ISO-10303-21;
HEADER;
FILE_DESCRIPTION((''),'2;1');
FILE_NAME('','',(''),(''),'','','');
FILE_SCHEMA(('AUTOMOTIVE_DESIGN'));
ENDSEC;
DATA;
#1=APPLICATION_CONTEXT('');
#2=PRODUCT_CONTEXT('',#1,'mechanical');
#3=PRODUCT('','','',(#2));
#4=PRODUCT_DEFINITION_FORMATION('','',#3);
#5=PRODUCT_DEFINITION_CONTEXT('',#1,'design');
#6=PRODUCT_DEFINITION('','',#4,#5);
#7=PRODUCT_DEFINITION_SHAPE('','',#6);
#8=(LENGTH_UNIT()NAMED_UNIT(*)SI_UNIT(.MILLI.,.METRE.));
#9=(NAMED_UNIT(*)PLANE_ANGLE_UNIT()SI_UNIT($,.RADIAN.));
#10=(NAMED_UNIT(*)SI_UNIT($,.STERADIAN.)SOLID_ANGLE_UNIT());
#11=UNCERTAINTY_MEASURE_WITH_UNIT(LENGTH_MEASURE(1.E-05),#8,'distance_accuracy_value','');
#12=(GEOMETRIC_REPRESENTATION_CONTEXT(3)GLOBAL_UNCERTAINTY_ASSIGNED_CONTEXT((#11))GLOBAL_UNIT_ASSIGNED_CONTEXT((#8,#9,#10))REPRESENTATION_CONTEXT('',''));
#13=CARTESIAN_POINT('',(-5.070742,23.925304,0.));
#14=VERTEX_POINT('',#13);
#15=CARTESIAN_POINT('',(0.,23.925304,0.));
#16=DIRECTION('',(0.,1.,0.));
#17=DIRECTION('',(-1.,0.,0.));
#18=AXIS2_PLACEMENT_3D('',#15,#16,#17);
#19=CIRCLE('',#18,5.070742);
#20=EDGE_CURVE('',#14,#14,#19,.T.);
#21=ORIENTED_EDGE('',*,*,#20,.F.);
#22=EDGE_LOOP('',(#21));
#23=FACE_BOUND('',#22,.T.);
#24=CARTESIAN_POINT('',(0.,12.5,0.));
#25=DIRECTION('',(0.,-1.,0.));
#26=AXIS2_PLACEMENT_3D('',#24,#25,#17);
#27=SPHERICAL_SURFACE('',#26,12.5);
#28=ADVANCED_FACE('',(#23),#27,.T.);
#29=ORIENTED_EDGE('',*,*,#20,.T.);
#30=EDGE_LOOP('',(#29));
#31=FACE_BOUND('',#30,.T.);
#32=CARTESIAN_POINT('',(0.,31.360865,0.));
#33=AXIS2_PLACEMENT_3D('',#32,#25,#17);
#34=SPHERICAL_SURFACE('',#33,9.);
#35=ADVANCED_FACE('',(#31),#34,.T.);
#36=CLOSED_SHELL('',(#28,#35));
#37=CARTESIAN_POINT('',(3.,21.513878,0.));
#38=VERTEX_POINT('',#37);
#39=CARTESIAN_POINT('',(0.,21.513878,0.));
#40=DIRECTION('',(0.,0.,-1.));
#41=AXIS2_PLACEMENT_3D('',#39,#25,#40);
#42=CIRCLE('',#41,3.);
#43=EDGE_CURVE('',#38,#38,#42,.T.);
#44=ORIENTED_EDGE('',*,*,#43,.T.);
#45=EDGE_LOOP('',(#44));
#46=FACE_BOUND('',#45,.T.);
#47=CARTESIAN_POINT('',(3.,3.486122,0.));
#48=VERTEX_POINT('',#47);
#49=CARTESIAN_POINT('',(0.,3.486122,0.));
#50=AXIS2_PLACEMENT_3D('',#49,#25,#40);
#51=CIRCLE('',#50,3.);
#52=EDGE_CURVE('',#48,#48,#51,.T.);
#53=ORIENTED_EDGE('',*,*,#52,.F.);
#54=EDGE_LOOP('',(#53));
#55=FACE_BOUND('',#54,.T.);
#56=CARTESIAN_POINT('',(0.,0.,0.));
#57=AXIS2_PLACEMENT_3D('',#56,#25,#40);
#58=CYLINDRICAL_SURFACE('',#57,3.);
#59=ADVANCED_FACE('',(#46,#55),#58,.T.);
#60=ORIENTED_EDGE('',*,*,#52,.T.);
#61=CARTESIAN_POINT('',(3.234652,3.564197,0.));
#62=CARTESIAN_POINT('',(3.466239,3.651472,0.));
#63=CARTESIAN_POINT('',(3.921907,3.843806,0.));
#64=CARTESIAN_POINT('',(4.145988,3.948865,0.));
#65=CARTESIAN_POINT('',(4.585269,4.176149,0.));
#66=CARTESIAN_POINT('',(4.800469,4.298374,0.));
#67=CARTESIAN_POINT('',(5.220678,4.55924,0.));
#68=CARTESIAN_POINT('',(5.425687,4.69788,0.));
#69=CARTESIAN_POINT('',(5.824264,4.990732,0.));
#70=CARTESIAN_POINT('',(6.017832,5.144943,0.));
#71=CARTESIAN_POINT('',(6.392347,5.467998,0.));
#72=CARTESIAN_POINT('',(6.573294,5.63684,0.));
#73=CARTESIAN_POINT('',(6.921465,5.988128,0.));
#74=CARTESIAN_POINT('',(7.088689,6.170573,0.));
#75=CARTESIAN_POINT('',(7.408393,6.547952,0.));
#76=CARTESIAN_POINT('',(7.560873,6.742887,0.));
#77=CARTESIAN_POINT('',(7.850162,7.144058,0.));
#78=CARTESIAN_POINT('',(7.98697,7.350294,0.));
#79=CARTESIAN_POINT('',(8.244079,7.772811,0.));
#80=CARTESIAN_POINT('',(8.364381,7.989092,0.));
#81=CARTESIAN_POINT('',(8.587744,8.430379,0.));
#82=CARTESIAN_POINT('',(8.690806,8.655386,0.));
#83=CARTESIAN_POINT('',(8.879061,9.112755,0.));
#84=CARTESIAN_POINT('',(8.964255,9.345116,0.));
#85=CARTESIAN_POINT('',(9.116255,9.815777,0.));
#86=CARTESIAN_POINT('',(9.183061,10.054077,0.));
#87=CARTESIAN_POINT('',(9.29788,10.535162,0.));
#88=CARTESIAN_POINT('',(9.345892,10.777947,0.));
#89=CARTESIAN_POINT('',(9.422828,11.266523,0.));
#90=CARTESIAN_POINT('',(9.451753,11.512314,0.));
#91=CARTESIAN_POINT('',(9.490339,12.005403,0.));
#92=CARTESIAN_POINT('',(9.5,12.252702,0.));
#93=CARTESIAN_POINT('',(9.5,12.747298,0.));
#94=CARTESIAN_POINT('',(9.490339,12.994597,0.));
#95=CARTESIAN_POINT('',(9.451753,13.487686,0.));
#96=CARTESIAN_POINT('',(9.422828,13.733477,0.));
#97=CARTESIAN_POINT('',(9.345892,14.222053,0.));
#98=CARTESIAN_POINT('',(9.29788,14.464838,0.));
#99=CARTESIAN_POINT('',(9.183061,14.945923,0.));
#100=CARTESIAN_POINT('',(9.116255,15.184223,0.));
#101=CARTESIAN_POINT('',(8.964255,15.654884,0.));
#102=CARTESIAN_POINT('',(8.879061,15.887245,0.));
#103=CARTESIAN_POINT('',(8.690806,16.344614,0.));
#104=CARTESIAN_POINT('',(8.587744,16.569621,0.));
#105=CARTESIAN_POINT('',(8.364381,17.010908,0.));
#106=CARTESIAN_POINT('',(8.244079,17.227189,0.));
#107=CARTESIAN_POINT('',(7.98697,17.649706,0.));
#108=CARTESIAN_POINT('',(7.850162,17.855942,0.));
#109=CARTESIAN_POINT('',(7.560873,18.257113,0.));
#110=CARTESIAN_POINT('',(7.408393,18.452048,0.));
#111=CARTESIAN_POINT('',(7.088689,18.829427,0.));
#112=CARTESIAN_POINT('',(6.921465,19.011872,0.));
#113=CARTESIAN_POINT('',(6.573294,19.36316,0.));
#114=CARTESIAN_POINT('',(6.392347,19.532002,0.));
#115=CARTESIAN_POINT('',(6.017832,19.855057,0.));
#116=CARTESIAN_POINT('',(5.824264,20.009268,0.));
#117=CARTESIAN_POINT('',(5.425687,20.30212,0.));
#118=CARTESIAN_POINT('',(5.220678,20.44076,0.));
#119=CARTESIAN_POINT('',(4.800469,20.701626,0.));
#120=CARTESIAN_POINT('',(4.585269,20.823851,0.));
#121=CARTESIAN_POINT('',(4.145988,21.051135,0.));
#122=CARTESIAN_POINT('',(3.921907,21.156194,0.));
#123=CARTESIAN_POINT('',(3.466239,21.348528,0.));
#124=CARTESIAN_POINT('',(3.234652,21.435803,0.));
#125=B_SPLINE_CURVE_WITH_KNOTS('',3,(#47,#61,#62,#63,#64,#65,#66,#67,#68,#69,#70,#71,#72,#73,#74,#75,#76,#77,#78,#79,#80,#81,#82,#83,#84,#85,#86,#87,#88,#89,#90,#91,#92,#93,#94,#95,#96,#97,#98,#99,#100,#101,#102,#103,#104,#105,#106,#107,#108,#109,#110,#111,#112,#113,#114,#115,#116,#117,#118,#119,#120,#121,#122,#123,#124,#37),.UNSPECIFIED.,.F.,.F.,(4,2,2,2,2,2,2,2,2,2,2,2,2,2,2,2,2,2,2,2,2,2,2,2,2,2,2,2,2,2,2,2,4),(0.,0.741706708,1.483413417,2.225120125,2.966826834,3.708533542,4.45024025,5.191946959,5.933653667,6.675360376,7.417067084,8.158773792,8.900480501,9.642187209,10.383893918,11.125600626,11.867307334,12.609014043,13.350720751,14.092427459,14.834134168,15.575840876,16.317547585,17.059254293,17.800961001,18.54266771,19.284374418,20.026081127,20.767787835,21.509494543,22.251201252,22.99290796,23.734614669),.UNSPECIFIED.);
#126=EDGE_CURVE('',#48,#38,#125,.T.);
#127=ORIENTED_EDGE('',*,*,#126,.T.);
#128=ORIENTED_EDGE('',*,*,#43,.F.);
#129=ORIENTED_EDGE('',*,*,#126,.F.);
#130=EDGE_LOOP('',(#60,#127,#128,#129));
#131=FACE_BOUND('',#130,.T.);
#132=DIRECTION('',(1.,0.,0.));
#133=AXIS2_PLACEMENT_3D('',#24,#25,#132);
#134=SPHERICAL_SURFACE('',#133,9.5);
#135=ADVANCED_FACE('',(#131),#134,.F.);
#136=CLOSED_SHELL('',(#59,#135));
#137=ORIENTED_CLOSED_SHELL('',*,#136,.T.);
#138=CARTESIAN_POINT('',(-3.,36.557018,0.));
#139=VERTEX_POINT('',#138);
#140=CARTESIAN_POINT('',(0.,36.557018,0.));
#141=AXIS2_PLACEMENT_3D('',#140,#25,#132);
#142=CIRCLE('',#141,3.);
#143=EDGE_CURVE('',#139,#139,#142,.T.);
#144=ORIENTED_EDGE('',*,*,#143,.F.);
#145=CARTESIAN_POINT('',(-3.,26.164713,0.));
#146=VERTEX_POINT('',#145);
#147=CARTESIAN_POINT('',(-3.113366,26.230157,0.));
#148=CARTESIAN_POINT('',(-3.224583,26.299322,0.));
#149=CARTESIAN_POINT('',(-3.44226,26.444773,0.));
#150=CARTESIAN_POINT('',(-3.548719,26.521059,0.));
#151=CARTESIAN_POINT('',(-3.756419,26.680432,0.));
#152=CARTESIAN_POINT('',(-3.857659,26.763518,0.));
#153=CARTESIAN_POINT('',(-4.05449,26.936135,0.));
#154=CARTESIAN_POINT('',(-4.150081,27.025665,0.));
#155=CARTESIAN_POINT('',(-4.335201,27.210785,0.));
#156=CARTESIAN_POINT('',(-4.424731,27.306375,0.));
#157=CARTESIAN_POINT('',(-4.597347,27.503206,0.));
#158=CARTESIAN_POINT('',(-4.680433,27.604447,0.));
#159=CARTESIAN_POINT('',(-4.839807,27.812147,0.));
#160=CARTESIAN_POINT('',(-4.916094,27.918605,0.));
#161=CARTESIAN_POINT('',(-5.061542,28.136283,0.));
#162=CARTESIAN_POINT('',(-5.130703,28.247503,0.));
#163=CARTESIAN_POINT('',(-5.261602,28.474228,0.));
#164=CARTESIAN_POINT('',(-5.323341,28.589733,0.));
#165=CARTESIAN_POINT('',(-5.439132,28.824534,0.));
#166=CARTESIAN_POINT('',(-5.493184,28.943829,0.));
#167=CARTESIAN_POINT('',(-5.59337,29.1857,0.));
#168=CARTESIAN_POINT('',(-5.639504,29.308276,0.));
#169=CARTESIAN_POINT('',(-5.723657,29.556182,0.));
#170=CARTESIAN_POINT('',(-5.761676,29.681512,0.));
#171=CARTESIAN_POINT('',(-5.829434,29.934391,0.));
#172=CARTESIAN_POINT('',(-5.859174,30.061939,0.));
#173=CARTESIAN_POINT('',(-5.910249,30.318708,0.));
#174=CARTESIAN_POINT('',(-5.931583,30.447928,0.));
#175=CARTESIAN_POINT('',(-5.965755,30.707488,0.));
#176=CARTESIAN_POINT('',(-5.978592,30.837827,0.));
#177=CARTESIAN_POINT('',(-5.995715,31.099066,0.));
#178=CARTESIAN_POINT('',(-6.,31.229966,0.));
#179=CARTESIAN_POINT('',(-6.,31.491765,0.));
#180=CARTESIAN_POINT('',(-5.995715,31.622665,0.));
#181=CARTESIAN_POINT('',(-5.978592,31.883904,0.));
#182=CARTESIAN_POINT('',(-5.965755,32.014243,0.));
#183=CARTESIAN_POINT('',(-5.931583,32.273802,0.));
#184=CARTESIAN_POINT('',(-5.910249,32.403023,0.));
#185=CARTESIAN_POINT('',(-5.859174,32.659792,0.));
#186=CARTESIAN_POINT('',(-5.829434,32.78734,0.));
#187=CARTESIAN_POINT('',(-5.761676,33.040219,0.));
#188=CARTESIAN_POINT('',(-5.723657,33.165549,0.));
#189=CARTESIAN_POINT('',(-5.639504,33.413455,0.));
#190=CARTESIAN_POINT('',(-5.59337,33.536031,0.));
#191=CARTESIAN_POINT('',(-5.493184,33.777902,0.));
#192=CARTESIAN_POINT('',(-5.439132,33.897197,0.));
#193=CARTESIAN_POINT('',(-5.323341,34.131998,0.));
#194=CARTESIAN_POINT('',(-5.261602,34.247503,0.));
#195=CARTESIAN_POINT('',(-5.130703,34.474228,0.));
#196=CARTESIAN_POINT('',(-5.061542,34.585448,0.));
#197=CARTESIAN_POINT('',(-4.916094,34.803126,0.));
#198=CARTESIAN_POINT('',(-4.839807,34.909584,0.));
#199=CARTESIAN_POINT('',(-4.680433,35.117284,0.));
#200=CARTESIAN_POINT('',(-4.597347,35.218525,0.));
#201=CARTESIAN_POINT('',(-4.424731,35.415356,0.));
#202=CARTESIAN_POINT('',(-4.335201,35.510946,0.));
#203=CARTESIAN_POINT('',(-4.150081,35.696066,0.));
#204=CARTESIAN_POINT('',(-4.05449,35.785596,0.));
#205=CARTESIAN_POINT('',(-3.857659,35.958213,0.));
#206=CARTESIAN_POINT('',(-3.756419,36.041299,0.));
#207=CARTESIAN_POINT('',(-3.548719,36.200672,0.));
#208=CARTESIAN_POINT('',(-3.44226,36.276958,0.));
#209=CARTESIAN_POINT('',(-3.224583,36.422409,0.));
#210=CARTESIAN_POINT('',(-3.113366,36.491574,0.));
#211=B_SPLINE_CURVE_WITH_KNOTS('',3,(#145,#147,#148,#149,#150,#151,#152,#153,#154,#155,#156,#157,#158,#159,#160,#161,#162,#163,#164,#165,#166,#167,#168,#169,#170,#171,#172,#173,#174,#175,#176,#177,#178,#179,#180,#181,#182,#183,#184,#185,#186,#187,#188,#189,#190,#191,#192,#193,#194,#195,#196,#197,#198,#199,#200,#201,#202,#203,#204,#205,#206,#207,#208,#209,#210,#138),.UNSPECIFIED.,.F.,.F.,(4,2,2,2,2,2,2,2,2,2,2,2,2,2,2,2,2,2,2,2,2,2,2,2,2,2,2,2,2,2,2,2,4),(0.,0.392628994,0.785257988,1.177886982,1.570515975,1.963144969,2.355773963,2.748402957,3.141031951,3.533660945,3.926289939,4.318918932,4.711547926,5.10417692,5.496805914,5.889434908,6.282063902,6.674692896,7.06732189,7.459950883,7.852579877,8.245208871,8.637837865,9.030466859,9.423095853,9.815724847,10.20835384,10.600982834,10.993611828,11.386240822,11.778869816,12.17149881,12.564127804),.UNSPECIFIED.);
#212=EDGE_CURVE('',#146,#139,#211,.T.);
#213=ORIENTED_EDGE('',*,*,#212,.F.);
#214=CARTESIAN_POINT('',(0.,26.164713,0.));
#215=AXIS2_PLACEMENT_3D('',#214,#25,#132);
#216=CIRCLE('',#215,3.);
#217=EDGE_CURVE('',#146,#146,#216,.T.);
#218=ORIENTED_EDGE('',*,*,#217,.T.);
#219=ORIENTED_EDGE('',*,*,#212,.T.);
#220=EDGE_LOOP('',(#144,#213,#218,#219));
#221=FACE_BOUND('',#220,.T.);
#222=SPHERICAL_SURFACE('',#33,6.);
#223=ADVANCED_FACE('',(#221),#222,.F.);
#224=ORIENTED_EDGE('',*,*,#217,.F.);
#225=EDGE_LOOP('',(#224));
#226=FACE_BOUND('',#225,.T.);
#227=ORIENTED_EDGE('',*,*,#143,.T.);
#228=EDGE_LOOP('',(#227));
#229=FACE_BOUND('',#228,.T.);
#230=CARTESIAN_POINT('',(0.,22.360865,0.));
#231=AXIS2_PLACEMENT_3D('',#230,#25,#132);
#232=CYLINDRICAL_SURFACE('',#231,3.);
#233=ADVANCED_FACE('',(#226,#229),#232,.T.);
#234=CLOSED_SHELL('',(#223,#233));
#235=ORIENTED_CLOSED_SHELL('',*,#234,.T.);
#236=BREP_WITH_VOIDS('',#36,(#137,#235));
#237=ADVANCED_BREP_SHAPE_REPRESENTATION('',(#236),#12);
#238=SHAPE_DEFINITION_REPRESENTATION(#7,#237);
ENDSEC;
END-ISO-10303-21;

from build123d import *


with BuildPart() as part:
    # 草图1 → 旋转-薄壁3 (revolve)
    with BuildSketch(Plane.XY):
        with BuildLine():
            Line((0, 0), (0, 25))
            ThreePointArc((0, 25), (12.5, 12.5), (0, 0))
        make_face()
        with BuildLine():
            Line((3, 3.486121811), (3, 21.513878189))
            ThreePointArc((3, 21.513878189), (9.5, 12.5), (3, 3.486121811))
        make_face(mode=Mode.SUBTRACT)
    revolve(axis=Axis((0, 0, 0), (0, 1, 0)))

    # 草图4 → 旋转-薄壁4 (revolve)
    with BuildSketch(Plane.XY):
        with BuildLine():
            Line((0, 22.360865449), (0, 40.360865449))
            ThreePointArc((0, 40.360865449), (-9, 31.360865449), (0, 22.360865449))
        make_face()
        with BuildLine():
            Line((-3, 26.164713026), (-3, 36.557017872))
            ThreePointArc((-3, 36.557017872), (-6, 31.360865449), (-3, 26.164713026))
        make_face(mode=Mode.SUBTRACT)
    revolve(axis=Axis((0, 22.360865449, 0), (0, 1, 0)))


solid = part.part
